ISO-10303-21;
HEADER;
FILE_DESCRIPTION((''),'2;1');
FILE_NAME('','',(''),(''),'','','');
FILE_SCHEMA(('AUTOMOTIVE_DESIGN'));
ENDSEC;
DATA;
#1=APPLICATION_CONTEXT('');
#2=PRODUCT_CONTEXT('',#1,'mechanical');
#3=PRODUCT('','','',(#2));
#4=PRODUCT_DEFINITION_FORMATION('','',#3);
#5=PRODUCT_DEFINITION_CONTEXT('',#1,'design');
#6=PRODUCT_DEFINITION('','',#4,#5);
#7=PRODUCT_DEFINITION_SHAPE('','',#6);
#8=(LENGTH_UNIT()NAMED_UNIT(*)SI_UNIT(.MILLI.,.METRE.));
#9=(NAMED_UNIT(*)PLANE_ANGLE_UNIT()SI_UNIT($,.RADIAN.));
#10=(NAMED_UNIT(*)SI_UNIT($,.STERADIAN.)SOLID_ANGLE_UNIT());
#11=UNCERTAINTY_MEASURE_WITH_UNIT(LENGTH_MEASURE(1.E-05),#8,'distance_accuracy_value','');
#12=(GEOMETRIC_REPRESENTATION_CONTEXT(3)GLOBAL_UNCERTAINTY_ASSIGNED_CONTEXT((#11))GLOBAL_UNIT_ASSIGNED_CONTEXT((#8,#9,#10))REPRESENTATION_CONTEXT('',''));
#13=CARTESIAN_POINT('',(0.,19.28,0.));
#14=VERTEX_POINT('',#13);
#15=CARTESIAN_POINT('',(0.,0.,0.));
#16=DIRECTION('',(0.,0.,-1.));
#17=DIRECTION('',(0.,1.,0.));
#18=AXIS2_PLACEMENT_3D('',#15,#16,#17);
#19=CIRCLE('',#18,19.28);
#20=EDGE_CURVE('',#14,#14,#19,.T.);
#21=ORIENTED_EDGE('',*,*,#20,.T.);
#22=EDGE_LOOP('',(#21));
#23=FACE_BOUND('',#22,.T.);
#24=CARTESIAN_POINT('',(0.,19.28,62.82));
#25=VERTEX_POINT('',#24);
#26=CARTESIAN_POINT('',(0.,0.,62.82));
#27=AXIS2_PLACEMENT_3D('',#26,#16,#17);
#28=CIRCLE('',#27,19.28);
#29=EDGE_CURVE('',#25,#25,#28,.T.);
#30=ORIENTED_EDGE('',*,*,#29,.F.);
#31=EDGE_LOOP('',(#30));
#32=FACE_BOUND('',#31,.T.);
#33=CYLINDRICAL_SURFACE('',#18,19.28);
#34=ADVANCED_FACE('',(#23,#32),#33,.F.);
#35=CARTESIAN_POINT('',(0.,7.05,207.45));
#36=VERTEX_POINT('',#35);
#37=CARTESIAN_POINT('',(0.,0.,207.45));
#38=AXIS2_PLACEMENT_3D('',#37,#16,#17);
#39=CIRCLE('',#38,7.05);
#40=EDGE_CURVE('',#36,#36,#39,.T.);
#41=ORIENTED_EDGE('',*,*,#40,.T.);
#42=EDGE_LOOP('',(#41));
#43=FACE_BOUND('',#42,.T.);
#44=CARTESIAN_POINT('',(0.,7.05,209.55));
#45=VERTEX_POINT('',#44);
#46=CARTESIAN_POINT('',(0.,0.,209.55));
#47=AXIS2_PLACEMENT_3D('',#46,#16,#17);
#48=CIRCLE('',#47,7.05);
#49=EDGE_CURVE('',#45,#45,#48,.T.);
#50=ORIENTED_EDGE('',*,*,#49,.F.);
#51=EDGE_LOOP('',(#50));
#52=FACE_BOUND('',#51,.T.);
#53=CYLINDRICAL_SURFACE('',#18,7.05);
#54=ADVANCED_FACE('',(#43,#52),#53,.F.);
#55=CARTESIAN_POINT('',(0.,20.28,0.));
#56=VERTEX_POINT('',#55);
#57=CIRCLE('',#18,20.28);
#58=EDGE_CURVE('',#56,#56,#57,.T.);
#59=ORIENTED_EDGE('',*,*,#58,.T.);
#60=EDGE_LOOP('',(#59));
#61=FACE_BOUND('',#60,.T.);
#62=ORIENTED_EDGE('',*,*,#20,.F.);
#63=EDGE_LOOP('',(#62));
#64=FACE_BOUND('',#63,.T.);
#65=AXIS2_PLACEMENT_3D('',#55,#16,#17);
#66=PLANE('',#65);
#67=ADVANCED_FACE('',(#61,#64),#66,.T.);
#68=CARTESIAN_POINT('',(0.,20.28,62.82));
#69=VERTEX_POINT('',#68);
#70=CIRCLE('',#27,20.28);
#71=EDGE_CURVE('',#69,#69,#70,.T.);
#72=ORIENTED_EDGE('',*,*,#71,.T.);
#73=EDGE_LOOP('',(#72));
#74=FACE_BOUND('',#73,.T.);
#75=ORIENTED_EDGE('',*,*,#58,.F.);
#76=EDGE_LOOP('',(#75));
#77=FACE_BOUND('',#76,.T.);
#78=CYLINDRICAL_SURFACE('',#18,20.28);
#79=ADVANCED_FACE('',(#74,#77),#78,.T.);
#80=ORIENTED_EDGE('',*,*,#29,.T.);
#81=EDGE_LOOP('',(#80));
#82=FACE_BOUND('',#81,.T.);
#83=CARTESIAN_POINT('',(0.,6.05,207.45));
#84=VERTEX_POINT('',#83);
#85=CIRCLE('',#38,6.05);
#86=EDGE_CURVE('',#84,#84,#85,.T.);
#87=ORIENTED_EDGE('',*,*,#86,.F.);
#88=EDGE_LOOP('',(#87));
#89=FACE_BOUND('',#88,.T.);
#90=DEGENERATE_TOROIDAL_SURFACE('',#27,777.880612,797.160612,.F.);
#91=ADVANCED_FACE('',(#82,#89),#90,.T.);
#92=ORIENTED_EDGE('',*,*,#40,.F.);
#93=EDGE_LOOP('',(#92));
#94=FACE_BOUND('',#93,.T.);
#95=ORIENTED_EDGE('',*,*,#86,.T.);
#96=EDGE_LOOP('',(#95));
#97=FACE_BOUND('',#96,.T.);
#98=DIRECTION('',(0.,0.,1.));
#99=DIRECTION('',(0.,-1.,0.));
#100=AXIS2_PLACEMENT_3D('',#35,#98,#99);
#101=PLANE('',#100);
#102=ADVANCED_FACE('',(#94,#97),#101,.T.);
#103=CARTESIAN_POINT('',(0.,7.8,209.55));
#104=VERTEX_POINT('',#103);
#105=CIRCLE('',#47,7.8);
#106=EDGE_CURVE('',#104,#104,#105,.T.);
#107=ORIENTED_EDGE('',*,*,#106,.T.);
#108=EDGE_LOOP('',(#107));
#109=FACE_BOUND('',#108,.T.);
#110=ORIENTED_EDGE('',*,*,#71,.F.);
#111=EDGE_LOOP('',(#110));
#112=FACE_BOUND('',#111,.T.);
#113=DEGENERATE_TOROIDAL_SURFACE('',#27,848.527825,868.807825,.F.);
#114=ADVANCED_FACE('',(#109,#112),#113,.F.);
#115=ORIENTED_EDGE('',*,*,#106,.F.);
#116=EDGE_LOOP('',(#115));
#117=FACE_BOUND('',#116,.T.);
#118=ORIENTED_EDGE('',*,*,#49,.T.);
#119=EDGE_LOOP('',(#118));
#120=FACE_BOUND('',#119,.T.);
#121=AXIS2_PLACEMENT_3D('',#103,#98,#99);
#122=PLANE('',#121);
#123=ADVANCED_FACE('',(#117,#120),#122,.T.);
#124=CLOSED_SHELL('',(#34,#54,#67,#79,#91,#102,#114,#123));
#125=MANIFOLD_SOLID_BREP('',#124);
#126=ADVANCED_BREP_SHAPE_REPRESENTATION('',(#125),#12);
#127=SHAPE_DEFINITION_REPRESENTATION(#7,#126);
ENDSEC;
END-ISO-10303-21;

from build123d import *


with BuildPart() as part:
    # Sketch1 → Revolve1 (revolve)
    with BuildSketch(Plane(origin=(0, 0, 0), x_dir=(0, 0, -1), z_dir=(1, 0, 0))):
        with BuildLine():
            Line((0, 20.28), (-62.82, 20.28))
            ThreePointArc((-62.82, 20.28), (-136.449890839, 17.154377632), (-209.55, 7.8))
            Line((-209.55, 7.8), (-209.55, 7.05))
            Line((-209.55, 7.05), (-207.45, 7.05))
            Line((-207.45, 7.05), (-207.45, 6.05))
            ThreePointArc((-207.45, 6.05), (-135.436922614, 15.965609806), (-62.82, 19.28))
            Line((-62.82, 19.28), (0, 19.28))
            Line((0, 19.28), (0, 20.28))
        make_face()
    revolve(axis=Axis((0, 0, 0), (0, 0, 1)))


solid = part.part
